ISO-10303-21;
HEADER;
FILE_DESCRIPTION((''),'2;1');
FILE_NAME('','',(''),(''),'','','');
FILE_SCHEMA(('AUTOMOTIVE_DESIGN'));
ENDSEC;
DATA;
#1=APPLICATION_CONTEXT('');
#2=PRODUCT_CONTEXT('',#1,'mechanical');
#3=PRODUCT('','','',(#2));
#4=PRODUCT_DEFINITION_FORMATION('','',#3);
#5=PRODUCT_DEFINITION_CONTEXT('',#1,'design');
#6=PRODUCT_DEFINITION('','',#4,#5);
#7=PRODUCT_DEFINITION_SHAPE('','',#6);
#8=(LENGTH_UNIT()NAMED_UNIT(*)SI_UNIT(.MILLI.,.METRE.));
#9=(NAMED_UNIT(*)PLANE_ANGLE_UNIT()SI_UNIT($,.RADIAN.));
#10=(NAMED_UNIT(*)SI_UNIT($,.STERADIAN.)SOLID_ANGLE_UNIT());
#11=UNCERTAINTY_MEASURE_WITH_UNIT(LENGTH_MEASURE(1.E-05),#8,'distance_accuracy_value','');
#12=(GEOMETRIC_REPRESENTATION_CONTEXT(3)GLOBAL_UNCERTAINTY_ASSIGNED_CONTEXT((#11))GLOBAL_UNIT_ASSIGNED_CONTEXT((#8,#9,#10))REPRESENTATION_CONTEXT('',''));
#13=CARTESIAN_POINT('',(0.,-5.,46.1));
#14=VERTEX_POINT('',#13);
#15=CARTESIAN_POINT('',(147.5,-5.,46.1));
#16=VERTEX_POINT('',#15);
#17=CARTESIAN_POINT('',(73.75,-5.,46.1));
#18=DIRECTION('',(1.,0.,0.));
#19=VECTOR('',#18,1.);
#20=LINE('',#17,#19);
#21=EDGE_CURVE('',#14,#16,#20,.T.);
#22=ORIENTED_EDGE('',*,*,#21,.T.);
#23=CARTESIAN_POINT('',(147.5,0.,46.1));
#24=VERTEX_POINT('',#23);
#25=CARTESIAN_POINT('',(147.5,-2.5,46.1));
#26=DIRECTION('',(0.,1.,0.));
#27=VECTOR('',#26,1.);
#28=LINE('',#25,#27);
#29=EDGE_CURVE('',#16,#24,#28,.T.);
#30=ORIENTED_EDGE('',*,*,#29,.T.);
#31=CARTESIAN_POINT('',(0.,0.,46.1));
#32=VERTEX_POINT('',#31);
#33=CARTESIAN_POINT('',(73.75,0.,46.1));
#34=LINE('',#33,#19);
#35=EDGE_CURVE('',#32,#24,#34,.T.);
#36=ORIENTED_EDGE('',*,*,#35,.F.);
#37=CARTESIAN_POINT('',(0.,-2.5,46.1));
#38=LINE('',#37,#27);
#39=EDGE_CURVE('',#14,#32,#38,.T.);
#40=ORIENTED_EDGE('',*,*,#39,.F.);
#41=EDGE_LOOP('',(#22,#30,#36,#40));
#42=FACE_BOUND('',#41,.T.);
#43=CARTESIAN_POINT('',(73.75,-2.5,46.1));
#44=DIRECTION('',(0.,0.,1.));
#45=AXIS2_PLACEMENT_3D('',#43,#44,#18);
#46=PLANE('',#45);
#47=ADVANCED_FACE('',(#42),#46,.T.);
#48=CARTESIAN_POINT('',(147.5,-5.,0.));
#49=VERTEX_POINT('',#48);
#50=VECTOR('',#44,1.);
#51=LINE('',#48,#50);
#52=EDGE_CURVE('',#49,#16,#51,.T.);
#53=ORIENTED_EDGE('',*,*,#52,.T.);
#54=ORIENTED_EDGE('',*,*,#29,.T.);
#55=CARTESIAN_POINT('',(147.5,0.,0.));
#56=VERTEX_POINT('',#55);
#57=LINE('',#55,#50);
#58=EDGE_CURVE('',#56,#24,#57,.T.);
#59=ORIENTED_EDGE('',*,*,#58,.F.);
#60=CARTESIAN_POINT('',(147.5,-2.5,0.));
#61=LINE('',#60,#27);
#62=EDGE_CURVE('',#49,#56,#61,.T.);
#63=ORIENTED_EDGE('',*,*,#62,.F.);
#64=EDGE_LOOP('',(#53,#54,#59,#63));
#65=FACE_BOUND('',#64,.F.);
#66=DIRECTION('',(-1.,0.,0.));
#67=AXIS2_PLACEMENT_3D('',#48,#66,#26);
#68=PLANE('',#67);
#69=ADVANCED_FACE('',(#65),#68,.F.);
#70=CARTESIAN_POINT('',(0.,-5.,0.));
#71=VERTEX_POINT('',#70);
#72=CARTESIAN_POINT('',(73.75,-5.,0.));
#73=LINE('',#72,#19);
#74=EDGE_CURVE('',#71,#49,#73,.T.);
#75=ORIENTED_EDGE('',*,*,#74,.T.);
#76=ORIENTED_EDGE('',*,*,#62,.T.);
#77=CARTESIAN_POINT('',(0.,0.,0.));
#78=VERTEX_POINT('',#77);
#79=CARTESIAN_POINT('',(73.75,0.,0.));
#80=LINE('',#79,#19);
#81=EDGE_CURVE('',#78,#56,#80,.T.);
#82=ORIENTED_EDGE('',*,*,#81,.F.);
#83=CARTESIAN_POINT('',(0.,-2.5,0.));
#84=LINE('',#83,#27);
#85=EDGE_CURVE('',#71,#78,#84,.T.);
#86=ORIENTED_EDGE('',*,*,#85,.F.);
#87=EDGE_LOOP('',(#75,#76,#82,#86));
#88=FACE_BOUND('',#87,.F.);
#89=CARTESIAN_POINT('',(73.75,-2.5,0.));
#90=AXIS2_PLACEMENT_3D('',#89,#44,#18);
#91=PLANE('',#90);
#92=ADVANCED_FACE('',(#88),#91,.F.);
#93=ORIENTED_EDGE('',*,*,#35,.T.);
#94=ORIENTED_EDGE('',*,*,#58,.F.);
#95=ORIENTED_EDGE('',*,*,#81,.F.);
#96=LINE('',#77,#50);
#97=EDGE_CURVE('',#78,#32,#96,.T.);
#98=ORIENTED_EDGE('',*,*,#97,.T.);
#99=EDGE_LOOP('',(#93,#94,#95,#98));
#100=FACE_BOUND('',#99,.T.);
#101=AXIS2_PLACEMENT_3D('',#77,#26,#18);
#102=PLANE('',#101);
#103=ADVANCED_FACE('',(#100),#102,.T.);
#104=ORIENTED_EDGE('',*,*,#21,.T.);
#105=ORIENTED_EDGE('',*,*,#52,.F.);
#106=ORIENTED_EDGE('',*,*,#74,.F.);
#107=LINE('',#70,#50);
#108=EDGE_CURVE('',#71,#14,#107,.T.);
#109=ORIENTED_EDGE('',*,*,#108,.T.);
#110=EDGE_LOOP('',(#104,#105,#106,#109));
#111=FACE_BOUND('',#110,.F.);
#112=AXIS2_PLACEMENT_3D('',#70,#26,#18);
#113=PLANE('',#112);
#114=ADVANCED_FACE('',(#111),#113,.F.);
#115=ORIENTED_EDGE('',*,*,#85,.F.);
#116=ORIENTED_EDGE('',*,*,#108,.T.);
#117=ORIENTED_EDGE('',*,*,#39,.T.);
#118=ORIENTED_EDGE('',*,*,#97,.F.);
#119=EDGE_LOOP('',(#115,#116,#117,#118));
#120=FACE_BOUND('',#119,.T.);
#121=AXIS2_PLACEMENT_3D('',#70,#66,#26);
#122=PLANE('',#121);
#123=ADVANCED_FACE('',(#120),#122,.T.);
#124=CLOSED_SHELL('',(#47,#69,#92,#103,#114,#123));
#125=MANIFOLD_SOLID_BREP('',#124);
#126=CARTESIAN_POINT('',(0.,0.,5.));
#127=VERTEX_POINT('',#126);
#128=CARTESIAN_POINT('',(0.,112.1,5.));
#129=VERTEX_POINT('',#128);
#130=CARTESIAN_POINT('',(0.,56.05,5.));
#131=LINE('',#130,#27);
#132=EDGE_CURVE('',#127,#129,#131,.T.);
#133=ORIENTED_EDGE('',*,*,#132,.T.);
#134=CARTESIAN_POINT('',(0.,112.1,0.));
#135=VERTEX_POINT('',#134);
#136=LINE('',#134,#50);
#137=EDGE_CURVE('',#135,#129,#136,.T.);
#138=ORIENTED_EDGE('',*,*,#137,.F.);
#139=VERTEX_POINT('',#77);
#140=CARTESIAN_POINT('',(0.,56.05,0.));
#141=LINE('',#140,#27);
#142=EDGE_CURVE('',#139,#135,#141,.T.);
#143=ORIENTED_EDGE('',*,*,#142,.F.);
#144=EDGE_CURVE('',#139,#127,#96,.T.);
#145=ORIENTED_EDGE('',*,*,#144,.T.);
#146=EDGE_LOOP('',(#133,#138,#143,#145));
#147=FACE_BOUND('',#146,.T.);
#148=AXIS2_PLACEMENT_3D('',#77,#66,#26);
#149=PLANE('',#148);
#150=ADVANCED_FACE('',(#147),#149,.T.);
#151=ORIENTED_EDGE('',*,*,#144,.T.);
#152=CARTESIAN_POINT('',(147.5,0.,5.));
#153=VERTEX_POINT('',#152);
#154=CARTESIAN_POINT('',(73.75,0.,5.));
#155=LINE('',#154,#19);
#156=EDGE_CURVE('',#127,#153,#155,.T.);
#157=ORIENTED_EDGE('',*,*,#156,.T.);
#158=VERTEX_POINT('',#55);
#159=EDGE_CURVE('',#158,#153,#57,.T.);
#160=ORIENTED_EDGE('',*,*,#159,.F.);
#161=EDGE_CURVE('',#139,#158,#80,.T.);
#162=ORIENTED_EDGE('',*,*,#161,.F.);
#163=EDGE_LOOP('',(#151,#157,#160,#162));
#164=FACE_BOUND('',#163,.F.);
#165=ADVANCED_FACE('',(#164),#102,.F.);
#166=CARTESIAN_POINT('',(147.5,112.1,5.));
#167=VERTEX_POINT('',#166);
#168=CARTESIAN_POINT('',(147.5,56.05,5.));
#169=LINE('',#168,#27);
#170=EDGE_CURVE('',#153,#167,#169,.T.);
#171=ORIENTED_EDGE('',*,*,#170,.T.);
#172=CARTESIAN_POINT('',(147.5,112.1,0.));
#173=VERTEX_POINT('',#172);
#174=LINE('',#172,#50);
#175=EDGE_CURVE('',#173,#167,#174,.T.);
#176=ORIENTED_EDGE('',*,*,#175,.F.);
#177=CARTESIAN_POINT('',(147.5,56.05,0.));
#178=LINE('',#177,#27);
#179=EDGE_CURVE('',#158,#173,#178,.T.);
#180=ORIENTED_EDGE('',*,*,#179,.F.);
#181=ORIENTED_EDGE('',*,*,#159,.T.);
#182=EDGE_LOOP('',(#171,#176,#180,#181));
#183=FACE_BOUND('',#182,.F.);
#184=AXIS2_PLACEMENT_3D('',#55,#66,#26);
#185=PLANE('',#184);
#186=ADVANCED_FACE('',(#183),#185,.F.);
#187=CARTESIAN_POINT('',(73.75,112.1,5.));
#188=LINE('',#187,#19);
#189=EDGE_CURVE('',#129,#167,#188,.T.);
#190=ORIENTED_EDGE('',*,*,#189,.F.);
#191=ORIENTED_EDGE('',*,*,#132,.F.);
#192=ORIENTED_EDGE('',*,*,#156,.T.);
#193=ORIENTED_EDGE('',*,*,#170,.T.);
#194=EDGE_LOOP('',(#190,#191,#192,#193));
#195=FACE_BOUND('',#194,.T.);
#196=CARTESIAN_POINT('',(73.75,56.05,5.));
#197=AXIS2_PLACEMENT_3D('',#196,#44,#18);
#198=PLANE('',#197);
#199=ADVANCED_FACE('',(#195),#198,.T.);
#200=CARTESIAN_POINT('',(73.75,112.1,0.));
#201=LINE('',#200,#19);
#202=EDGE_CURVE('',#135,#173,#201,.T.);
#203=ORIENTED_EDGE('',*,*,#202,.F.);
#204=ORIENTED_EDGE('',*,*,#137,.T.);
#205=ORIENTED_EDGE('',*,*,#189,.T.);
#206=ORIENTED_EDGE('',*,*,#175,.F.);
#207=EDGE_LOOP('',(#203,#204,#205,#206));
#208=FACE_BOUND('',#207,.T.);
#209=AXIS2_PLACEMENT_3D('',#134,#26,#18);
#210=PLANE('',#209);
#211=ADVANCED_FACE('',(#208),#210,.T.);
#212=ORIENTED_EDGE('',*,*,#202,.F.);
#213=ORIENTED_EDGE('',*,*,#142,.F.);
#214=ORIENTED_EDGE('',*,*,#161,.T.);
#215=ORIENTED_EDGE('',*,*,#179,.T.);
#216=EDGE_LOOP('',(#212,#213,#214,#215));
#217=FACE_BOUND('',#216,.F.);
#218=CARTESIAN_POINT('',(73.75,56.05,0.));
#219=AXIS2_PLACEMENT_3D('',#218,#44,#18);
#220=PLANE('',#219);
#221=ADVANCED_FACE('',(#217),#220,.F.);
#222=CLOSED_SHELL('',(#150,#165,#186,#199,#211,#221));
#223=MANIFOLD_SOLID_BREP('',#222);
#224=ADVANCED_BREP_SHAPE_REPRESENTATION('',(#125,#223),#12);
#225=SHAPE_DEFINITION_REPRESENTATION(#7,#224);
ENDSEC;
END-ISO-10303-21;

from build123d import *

# Parameters (mm, degrees)
SKETCH_W     = 147.5
SKETCH_H     = 112.1
PAD_DEPTH    = 5
SKETCH001_W  = 147.5
SKETCH001_H  = 5
PAD001_DEPTH = 46.1


with BuildPart() as base_plate:
    # Sketch → Pad (new body)
    with BuildSketch(Plane.XY):
        with Locations((73.75, 56.05)):
            Rectangle(SKETCH_W, SKETCH_H)
    extrude(amount=PAD_DEPTH)


with BuildPart() as side_plate1:
    # Sketch001 → Pad001 (new body)
    with BuildSketch(Plane.XY):
        with Locations((73.75, -2.5)):
            Rectangle(SKETCH001_W, SKETCH001_H)
    extrude(amount=PAD001_DEPTH)


solid = Compound([base_plate.part, side_plate1.part])
